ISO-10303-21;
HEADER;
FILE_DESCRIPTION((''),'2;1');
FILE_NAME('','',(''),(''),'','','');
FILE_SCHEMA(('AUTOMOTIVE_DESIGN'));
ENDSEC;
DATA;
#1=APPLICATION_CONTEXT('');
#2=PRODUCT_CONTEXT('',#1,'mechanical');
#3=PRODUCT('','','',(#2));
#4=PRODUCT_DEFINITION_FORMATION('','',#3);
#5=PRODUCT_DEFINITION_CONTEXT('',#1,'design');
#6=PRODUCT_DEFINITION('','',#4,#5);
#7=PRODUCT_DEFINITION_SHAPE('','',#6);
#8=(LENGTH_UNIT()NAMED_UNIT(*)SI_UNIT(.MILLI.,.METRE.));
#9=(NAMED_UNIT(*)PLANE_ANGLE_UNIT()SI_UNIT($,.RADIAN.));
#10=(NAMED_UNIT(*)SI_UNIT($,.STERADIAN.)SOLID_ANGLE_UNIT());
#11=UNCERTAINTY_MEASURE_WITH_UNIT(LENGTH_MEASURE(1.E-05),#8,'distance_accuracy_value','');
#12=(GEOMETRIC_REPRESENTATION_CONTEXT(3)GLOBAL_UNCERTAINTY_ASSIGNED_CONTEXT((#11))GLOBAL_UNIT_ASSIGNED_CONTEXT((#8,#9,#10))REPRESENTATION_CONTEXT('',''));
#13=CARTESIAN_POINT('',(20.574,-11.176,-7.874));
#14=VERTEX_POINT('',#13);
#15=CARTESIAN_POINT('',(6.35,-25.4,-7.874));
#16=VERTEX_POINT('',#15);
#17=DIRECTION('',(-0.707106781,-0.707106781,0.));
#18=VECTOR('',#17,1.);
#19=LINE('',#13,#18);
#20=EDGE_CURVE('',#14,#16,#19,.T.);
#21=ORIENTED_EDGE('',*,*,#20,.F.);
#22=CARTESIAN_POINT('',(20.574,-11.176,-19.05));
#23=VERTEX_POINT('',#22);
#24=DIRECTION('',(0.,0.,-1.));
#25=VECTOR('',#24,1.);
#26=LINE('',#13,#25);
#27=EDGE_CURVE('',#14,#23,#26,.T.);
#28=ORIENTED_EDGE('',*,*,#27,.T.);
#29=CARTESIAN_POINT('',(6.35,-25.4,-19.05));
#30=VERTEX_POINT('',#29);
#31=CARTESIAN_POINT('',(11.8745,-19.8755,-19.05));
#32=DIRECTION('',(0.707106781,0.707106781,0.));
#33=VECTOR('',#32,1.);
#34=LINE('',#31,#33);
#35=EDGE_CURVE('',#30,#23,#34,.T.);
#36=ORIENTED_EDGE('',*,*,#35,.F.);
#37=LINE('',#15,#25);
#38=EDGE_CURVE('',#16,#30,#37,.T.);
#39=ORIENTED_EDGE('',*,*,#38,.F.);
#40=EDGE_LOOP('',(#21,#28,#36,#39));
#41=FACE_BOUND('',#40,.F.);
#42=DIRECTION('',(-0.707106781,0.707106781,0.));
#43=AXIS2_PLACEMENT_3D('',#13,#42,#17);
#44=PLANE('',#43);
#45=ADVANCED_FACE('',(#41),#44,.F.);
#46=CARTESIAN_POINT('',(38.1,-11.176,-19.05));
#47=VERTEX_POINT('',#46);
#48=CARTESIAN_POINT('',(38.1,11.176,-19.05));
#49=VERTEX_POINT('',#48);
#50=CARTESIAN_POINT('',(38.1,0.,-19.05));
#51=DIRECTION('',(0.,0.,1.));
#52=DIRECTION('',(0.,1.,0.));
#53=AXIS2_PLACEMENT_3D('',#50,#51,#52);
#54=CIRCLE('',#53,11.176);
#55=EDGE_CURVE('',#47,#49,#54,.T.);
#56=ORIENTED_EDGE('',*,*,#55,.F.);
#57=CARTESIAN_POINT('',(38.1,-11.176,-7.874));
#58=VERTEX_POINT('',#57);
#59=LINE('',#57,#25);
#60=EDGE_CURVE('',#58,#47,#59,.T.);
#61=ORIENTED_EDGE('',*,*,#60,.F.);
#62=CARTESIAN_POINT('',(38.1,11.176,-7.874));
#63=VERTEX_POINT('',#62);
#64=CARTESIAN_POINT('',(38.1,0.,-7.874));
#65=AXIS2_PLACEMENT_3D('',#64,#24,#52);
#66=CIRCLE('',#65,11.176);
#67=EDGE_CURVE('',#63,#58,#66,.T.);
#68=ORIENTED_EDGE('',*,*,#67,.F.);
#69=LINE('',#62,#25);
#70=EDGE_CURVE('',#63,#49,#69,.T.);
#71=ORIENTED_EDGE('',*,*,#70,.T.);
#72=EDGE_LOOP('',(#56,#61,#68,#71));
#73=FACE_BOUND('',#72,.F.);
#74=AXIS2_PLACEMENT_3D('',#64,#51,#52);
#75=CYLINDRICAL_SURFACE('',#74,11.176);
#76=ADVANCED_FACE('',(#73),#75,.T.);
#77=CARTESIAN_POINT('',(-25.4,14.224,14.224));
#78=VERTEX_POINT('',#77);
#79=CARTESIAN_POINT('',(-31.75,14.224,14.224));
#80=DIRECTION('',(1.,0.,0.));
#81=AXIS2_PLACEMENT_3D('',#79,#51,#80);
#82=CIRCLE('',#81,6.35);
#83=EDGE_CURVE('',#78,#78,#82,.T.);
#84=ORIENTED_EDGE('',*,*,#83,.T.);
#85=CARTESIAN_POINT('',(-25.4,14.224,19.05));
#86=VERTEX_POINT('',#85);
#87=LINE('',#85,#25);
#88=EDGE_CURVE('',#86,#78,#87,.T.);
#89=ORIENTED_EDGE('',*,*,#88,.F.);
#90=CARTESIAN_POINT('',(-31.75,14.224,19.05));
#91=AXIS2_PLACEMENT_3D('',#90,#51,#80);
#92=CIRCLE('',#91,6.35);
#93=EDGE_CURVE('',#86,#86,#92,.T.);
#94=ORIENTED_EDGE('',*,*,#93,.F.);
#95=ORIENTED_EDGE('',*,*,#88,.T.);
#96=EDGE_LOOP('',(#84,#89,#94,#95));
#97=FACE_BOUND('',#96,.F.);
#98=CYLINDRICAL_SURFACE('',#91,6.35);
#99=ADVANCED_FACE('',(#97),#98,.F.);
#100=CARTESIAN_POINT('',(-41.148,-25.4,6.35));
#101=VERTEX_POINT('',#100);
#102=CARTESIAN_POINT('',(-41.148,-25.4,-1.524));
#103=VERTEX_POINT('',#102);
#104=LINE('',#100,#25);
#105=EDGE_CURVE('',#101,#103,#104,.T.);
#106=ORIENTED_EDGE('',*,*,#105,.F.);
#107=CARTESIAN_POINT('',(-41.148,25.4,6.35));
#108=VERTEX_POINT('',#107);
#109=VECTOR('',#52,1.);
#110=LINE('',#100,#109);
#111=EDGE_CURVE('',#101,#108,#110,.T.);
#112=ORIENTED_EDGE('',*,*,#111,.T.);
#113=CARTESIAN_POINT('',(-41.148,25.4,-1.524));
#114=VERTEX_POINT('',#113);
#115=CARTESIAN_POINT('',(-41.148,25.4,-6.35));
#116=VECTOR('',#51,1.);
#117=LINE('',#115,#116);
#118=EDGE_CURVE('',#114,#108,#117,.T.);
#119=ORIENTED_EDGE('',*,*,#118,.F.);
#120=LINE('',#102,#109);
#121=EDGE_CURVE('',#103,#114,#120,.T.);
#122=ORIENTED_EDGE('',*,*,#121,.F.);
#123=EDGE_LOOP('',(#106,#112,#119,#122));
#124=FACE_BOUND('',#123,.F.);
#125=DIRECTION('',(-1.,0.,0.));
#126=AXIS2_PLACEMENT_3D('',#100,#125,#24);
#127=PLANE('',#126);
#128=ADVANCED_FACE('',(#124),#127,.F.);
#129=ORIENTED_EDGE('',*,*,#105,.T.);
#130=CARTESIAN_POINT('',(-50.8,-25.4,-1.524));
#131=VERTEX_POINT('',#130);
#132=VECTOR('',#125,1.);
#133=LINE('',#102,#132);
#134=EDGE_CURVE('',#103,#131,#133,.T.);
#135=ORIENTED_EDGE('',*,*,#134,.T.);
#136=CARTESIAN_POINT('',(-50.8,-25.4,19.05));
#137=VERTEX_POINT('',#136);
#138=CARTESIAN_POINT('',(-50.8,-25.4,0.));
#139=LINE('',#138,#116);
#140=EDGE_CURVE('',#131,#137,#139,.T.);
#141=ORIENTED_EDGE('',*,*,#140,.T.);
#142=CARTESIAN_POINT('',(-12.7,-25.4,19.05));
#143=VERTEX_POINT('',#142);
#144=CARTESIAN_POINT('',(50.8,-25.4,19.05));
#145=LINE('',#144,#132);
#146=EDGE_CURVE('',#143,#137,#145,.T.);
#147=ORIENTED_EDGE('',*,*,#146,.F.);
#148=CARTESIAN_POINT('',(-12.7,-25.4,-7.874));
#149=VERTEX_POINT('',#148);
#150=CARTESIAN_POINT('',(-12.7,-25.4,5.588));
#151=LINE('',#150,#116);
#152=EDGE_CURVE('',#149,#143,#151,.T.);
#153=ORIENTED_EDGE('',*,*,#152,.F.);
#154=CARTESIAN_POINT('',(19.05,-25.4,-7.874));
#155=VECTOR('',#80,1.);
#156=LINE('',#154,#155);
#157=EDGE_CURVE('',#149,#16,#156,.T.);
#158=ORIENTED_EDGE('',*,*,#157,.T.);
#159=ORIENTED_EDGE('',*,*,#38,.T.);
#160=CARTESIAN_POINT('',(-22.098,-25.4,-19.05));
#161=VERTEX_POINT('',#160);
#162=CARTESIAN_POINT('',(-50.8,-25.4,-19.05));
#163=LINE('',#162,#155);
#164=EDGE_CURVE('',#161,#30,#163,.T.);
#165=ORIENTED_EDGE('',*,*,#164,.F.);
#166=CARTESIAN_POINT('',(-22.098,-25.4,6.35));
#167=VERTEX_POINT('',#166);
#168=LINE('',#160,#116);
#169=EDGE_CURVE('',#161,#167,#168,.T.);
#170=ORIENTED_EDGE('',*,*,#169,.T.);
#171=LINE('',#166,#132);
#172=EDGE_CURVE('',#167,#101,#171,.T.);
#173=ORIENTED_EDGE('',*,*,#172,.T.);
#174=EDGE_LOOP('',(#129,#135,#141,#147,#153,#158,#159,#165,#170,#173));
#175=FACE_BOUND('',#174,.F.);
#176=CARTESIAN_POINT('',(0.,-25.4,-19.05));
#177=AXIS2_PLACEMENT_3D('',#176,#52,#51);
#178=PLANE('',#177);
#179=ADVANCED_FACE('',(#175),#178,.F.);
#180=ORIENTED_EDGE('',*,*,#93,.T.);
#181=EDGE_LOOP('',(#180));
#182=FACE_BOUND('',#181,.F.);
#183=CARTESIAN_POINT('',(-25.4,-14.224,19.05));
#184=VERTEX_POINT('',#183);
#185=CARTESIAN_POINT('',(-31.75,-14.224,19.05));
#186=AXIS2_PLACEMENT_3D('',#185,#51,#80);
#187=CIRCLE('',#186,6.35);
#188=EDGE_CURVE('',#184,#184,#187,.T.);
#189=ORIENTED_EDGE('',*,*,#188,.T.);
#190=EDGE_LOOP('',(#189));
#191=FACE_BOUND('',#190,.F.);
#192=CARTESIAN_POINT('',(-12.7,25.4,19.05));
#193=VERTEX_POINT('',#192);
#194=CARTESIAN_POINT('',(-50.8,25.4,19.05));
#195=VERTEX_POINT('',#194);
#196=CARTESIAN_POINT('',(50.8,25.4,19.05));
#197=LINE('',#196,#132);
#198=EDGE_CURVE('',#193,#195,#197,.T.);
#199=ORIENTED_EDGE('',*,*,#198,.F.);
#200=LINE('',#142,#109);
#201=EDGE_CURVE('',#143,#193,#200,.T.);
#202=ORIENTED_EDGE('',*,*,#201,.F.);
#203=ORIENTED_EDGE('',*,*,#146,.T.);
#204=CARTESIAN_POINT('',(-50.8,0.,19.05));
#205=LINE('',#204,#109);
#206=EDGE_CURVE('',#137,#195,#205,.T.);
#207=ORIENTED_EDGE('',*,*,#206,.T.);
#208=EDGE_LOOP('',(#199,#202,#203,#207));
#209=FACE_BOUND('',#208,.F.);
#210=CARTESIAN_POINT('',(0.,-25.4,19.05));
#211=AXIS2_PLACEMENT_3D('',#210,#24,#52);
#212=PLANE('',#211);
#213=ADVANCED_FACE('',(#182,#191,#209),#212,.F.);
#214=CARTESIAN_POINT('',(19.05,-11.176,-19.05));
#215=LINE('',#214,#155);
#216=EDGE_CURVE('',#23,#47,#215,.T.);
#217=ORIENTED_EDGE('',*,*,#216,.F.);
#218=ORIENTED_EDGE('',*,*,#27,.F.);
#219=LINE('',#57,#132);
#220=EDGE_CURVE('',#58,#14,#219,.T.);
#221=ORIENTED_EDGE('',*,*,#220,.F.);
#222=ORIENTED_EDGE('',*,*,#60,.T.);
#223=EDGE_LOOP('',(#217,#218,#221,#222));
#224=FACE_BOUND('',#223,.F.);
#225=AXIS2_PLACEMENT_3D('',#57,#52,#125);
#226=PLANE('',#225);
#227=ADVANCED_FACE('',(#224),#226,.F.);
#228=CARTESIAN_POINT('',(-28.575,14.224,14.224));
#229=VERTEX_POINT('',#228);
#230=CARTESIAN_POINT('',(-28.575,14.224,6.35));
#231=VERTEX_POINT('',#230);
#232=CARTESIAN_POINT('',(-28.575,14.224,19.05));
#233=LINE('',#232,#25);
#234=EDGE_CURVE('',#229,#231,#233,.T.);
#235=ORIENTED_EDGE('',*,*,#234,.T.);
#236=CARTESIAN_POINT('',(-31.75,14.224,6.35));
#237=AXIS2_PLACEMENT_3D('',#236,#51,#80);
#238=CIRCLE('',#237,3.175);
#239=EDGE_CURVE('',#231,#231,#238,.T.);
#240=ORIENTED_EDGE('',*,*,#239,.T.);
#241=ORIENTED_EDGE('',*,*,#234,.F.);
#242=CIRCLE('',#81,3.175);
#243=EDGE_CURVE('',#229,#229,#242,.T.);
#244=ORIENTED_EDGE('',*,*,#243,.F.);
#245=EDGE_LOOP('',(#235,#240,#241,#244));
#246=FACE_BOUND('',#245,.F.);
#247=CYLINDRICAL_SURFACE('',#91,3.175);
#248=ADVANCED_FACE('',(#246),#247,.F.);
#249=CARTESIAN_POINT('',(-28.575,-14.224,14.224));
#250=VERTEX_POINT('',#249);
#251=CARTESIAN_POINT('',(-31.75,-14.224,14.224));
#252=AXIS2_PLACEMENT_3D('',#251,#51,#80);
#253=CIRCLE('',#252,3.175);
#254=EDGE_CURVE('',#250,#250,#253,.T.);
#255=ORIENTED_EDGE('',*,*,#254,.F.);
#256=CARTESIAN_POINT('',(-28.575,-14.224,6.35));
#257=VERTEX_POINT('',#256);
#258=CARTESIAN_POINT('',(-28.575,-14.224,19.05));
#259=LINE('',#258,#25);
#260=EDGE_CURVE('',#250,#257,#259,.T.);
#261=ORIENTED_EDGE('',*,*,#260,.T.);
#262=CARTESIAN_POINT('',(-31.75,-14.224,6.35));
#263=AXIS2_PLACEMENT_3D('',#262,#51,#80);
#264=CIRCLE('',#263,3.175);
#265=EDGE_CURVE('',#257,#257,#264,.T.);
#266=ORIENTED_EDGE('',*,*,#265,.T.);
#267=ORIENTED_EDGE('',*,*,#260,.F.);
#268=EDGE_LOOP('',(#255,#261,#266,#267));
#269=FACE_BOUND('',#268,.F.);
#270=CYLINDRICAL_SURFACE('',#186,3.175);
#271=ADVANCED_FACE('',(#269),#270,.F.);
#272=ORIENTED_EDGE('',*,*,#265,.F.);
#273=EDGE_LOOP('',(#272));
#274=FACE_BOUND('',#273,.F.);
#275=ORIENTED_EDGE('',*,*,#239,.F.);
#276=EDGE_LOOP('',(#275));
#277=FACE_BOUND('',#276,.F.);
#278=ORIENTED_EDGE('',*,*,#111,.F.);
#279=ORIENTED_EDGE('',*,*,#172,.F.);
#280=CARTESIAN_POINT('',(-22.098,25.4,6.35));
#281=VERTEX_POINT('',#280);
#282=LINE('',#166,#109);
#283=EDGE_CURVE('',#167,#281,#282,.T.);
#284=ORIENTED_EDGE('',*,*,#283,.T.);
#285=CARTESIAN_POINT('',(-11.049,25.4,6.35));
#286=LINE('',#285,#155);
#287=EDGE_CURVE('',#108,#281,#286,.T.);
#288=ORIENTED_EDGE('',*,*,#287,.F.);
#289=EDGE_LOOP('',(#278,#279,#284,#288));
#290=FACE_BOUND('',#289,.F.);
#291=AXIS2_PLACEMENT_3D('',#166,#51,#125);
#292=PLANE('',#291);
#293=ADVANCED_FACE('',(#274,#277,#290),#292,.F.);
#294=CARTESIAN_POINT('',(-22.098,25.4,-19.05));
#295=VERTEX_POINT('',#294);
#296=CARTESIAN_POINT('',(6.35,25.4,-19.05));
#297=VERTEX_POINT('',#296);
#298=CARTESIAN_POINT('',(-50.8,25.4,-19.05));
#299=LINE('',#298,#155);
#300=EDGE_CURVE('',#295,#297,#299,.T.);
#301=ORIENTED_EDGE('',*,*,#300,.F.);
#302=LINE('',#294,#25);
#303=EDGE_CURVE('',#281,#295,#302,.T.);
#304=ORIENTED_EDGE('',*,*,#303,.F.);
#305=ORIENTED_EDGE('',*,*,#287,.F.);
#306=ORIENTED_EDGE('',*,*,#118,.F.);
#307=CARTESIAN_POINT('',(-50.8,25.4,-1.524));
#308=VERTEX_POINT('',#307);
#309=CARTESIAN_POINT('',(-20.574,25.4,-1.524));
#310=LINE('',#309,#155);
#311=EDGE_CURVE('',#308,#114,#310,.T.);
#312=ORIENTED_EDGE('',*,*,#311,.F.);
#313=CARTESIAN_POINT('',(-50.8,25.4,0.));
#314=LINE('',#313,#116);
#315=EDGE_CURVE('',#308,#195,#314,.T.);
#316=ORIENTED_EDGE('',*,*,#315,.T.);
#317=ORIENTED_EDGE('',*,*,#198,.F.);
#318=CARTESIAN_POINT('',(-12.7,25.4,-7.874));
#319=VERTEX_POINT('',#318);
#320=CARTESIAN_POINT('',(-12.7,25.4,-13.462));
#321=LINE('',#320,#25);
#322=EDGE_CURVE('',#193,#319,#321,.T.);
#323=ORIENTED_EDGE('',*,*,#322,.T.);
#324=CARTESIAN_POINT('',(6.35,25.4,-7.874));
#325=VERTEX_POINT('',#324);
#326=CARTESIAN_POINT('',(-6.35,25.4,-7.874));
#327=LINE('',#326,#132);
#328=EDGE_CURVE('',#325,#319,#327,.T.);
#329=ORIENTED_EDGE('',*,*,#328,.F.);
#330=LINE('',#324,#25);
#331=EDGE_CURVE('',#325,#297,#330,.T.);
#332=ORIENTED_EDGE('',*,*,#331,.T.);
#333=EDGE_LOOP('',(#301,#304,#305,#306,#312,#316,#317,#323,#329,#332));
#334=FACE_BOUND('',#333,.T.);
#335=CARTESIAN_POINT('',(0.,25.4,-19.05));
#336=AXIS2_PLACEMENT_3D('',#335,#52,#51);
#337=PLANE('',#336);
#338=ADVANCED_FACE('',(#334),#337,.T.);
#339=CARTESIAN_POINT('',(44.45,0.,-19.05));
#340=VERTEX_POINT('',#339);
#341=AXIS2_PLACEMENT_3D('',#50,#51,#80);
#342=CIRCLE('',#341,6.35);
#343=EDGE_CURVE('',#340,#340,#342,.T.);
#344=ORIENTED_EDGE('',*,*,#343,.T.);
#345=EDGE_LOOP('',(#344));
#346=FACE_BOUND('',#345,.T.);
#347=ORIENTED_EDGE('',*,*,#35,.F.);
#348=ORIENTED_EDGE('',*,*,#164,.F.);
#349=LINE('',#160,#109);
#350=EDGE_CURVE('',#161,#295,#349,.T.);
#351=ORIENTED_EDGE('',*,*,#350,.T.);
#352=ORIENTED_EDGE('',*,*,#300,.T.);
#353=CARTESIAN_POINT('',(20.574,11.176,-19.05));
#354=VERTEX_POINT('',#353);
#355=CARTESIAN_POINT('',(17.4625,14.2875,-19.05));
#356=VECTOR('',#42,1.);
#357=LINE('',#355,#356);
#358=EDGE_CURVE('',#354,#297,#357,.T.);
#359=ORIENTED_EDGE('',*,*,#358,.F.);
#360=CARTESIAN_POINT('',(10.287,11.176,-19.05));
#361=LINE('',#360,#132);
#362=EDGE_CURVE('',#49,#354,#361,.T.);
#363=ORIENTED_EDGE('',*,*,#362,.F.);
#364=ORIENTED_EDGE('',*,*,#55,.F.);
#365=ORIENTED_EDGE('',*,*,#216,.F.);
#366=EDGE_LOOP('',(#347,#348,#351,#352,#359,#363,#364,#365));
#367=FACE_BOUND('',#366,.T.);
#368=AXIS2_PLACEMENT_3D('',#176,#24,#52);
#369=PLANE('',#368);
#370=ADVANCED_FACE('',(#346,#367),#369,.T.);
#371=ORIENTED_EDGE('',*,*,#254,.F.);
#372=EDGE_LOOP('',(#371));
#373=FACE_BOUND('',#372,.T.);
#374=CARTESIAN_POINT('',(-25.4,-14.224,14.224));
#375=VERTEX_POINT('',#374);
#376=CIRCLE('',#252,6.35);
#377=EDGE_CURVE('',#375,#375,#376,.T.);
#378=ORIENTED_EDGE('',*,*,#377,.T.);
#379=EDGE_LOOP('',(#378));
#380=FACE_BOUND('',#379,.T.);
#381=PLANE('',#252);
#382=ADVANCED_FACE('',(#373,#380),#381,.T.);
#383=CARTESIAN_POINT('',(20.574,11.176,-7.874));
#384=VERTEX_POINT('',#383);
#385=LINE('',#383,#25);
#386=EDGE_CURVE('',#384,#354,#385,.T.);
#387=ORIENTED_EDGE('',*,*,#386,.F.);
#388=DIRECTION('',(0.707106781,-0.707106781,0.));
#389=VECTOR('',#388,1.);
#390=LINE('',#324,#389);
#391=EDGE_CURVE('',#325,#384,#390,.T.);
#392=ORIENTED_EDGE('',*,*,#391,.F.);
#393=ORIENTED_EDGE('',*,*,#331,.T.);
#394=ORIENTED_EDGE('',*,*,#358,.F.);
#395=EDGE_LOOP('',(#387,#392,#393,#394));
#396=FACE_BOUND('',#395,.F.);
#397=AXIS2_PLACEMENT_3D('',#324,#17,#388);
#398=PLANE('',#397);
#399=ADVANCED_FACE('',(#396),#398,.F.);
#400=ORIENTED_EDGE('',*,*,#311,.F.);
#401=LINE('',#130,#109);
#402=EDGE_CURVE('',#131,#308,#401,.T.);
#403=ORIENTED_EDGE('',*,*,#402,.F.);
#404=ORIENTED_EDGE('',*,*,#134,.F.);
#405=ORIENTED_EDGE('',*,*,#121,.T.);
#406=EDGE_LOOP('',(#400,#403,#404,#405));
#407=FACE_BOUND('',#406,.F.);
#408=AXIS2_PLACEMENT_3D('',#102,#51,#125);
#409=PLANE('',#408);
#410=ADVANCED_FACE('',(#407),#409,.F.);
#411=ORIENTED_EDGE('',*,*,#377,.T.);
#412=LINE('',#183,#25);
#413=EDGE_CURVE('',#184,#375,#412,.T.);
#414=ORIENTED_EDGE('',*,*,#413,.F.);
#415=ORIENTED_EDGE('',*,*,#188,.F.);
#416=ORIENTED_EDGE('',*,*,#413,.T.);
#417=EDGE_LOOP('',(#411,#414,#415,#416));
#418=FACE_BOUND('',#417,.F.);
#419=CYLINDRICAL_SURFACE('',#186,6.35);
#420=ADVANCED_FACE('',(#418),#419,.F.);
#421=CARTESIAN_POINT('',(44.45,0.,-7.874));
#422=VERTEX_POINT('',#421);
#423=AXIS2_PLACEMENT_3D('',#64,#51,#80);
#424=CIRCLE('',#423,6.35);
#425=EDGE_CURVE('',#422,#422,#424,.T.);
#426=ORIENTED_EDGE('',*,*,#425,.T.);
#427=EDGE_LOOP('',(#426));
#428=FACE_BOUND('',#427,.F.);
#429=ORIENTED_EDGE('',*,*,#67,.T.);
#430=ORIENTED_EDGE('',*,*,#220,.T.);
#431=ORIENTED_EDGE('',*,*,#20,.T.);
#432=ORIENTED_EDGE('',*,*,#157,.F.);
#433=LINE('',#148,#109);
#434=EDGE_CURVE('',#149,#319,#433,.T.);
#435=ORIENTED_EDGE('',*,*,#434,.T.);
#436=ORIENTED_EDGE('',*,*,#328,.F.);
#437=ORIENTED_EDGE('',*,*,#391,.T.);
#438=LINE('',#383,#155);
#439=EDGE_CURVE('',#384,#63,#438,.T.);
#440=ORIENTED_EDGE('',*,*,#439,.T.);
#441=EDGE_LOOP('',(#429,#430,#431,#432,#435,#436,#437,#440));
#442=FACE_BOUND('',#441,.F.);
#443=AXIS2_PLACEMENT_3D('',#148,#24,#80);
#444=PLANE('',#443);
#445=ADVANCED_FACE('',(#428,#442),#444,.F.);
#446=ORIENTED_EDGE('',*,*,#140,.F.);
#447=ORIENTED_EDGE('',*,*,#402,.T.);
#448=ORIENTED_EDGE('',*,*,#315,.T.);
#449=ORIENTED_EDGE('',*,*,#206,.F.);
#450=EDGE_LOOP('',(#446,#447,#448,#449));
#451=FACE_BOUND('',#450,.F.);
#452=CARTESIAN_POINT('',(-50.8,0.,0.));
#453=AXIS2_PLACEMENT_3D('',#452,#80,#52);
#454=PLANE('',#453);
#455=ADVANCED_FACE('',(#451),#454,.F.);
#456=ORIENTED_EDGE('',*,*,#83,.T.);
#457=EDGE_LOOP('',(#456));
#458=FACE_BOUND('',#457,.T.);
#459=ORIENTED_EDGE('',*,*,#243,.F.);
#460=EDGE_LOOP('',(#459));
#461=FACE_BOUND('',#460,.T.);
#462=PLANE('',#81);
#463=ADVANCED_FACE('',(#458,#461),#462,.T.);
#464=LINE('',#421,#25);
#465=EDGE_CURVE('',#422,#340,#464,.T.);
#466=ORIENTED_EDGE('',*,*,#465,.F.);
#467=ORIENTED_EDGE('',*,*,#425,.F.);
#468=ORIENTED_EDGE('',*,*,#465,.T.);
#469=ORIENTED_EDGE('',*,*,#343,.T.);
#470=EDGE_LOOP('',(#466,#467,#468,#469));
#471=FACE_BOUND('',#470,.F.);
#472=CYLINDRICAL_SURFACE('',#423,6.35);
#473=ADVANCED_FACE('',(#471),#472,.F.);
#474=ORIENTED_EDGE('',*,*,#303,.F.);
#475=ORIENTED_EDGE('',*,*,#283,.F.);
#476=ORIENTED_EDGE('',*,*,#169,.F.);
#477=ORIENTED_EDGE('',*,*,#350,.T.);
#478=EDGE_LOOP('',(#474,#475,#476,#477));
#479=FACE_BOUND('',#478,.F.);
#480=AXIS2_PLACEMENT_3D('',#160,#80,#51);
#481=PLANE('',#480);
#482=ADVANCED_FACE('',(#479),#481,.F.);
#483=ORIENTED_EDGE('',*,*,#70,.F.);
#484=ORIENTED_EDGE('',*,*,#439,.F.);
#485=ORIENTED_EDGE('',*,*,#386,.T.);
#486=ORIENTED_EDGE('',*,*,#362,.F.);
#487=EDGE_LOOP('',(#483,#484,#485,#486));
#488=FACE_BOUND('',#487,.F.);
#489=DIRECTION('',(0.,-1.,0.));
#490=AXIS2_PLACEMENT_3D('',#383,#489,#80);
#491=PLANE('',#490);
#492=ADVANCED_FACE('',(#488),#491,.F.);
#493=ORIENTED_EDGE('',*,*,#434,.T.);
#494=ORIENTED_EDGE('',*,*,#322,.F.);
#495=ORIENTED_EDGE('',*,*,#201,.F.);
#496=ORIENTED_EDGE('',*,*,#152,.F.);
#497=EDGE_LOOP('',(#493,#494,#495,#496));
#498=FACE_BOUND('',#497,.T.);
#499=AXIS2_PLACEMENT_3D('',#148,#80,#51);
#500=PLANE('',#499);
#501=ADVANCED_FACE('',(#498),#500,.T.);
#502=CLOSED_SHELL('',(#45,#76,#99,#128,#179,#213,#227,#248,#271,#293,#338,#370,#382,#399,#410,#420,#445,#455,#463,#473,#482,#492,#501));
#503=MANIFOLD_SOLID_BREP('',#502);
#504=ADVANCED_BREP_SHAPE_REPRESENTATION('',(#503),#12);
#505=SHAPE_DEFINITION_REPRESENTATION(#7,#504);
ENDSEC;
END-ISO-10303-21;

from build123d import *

# Parameters (mm, degrees)
F0_W     = 50.8
F0_H     = 38.1
F1_DEPTH = 50.8
F2_R     = 3.175
F3_DEPTH = 38.101
F4_W     = 63.5
F4_H     = 26.924
F5_DEPTH = 50.801
F6_R     = 6.35
F7_DEPTH = 11.177
F8_R     = 6.35
F9_DEPTH = 4.826


with BuildPart() as f1:
    # F0 (on Right) → F1 (new body, symmetric)
    with BuildSketch(Plane.YZ):
        Rectangle(F0_W, F0_H)
    extrude(amount=F1_DEPTH, both=True)

    # F2 (on face) → F3 (cut, through all)
    with BuildSketch(Plane.XY.offset(19.05)):
        with Locations((-31.75, -14.224)):
            Circle(F2_R)
        with Locations((-31.75, 14.224)):
            Circle(F2_R)
    extrude(amount=-F3_DEPTH, mode=Mode.SUBTRACT)

    # F4 (on face) → F5 (cut, through all)
    with BuildSketch(Plane.XZ.offset(25.4)):
        Polygon((-41.148, -1.524), (-50.8, -1.524), (-50.8, -19.05), (-22.098, -19.05), (-22.098, 6.35), (-41.148, 6.35), align=None)
        with Locations((19.05, 5.588)):
            Rectangle(F4_W, F4_H)
    extrude(amount=-F5_DEPTH, mode=Mode.SUBTRACT)

    # F6 (on face) → F7 (cut, through all)
    with BuildSketch(Plane.XY.offset(-7.874)):
        with BuildLine():
            ThreePointArc((38.1, 11.176), (49.276, 0), (38.1, -11.176))
            Line((38.1, -11.176), (20.574, -11.176))
            Line((20.574, -11.176), (6.35, -25.4))
            Line((6.35, -25.4), (50.8, -25.4))
            Line((50.8, -25.4), (50.8, 25.4))
            Line((50.8, 25.4), (6.35, 25.4))
            Line((6.35, 25.4), (20.574, 11.176))
            Line((20.574, 11.176), (24.505507, 11.176))
            Line((24.505507, 11.176), (38.1, 11.176))
        make_face()
        with Locations((38.1, 0)):
            Circle(F6_R)
    extrude(amount=-F7_DEPTH, mode=Mode.SUBTRACT)

    # F8 (on face) → F9 (cut)
    with BuildSketch(Plane.XY.offset(19.05)):
        with Locations((-31.75, 14.224)):
            Circle(F8_R)
        with Locations((-31.75, -14.224)):
            Circle(F8_R)
    extrude(amount=-F9_DEPTH, mode=Mode.SUBTRACT)


solid = f1.part
